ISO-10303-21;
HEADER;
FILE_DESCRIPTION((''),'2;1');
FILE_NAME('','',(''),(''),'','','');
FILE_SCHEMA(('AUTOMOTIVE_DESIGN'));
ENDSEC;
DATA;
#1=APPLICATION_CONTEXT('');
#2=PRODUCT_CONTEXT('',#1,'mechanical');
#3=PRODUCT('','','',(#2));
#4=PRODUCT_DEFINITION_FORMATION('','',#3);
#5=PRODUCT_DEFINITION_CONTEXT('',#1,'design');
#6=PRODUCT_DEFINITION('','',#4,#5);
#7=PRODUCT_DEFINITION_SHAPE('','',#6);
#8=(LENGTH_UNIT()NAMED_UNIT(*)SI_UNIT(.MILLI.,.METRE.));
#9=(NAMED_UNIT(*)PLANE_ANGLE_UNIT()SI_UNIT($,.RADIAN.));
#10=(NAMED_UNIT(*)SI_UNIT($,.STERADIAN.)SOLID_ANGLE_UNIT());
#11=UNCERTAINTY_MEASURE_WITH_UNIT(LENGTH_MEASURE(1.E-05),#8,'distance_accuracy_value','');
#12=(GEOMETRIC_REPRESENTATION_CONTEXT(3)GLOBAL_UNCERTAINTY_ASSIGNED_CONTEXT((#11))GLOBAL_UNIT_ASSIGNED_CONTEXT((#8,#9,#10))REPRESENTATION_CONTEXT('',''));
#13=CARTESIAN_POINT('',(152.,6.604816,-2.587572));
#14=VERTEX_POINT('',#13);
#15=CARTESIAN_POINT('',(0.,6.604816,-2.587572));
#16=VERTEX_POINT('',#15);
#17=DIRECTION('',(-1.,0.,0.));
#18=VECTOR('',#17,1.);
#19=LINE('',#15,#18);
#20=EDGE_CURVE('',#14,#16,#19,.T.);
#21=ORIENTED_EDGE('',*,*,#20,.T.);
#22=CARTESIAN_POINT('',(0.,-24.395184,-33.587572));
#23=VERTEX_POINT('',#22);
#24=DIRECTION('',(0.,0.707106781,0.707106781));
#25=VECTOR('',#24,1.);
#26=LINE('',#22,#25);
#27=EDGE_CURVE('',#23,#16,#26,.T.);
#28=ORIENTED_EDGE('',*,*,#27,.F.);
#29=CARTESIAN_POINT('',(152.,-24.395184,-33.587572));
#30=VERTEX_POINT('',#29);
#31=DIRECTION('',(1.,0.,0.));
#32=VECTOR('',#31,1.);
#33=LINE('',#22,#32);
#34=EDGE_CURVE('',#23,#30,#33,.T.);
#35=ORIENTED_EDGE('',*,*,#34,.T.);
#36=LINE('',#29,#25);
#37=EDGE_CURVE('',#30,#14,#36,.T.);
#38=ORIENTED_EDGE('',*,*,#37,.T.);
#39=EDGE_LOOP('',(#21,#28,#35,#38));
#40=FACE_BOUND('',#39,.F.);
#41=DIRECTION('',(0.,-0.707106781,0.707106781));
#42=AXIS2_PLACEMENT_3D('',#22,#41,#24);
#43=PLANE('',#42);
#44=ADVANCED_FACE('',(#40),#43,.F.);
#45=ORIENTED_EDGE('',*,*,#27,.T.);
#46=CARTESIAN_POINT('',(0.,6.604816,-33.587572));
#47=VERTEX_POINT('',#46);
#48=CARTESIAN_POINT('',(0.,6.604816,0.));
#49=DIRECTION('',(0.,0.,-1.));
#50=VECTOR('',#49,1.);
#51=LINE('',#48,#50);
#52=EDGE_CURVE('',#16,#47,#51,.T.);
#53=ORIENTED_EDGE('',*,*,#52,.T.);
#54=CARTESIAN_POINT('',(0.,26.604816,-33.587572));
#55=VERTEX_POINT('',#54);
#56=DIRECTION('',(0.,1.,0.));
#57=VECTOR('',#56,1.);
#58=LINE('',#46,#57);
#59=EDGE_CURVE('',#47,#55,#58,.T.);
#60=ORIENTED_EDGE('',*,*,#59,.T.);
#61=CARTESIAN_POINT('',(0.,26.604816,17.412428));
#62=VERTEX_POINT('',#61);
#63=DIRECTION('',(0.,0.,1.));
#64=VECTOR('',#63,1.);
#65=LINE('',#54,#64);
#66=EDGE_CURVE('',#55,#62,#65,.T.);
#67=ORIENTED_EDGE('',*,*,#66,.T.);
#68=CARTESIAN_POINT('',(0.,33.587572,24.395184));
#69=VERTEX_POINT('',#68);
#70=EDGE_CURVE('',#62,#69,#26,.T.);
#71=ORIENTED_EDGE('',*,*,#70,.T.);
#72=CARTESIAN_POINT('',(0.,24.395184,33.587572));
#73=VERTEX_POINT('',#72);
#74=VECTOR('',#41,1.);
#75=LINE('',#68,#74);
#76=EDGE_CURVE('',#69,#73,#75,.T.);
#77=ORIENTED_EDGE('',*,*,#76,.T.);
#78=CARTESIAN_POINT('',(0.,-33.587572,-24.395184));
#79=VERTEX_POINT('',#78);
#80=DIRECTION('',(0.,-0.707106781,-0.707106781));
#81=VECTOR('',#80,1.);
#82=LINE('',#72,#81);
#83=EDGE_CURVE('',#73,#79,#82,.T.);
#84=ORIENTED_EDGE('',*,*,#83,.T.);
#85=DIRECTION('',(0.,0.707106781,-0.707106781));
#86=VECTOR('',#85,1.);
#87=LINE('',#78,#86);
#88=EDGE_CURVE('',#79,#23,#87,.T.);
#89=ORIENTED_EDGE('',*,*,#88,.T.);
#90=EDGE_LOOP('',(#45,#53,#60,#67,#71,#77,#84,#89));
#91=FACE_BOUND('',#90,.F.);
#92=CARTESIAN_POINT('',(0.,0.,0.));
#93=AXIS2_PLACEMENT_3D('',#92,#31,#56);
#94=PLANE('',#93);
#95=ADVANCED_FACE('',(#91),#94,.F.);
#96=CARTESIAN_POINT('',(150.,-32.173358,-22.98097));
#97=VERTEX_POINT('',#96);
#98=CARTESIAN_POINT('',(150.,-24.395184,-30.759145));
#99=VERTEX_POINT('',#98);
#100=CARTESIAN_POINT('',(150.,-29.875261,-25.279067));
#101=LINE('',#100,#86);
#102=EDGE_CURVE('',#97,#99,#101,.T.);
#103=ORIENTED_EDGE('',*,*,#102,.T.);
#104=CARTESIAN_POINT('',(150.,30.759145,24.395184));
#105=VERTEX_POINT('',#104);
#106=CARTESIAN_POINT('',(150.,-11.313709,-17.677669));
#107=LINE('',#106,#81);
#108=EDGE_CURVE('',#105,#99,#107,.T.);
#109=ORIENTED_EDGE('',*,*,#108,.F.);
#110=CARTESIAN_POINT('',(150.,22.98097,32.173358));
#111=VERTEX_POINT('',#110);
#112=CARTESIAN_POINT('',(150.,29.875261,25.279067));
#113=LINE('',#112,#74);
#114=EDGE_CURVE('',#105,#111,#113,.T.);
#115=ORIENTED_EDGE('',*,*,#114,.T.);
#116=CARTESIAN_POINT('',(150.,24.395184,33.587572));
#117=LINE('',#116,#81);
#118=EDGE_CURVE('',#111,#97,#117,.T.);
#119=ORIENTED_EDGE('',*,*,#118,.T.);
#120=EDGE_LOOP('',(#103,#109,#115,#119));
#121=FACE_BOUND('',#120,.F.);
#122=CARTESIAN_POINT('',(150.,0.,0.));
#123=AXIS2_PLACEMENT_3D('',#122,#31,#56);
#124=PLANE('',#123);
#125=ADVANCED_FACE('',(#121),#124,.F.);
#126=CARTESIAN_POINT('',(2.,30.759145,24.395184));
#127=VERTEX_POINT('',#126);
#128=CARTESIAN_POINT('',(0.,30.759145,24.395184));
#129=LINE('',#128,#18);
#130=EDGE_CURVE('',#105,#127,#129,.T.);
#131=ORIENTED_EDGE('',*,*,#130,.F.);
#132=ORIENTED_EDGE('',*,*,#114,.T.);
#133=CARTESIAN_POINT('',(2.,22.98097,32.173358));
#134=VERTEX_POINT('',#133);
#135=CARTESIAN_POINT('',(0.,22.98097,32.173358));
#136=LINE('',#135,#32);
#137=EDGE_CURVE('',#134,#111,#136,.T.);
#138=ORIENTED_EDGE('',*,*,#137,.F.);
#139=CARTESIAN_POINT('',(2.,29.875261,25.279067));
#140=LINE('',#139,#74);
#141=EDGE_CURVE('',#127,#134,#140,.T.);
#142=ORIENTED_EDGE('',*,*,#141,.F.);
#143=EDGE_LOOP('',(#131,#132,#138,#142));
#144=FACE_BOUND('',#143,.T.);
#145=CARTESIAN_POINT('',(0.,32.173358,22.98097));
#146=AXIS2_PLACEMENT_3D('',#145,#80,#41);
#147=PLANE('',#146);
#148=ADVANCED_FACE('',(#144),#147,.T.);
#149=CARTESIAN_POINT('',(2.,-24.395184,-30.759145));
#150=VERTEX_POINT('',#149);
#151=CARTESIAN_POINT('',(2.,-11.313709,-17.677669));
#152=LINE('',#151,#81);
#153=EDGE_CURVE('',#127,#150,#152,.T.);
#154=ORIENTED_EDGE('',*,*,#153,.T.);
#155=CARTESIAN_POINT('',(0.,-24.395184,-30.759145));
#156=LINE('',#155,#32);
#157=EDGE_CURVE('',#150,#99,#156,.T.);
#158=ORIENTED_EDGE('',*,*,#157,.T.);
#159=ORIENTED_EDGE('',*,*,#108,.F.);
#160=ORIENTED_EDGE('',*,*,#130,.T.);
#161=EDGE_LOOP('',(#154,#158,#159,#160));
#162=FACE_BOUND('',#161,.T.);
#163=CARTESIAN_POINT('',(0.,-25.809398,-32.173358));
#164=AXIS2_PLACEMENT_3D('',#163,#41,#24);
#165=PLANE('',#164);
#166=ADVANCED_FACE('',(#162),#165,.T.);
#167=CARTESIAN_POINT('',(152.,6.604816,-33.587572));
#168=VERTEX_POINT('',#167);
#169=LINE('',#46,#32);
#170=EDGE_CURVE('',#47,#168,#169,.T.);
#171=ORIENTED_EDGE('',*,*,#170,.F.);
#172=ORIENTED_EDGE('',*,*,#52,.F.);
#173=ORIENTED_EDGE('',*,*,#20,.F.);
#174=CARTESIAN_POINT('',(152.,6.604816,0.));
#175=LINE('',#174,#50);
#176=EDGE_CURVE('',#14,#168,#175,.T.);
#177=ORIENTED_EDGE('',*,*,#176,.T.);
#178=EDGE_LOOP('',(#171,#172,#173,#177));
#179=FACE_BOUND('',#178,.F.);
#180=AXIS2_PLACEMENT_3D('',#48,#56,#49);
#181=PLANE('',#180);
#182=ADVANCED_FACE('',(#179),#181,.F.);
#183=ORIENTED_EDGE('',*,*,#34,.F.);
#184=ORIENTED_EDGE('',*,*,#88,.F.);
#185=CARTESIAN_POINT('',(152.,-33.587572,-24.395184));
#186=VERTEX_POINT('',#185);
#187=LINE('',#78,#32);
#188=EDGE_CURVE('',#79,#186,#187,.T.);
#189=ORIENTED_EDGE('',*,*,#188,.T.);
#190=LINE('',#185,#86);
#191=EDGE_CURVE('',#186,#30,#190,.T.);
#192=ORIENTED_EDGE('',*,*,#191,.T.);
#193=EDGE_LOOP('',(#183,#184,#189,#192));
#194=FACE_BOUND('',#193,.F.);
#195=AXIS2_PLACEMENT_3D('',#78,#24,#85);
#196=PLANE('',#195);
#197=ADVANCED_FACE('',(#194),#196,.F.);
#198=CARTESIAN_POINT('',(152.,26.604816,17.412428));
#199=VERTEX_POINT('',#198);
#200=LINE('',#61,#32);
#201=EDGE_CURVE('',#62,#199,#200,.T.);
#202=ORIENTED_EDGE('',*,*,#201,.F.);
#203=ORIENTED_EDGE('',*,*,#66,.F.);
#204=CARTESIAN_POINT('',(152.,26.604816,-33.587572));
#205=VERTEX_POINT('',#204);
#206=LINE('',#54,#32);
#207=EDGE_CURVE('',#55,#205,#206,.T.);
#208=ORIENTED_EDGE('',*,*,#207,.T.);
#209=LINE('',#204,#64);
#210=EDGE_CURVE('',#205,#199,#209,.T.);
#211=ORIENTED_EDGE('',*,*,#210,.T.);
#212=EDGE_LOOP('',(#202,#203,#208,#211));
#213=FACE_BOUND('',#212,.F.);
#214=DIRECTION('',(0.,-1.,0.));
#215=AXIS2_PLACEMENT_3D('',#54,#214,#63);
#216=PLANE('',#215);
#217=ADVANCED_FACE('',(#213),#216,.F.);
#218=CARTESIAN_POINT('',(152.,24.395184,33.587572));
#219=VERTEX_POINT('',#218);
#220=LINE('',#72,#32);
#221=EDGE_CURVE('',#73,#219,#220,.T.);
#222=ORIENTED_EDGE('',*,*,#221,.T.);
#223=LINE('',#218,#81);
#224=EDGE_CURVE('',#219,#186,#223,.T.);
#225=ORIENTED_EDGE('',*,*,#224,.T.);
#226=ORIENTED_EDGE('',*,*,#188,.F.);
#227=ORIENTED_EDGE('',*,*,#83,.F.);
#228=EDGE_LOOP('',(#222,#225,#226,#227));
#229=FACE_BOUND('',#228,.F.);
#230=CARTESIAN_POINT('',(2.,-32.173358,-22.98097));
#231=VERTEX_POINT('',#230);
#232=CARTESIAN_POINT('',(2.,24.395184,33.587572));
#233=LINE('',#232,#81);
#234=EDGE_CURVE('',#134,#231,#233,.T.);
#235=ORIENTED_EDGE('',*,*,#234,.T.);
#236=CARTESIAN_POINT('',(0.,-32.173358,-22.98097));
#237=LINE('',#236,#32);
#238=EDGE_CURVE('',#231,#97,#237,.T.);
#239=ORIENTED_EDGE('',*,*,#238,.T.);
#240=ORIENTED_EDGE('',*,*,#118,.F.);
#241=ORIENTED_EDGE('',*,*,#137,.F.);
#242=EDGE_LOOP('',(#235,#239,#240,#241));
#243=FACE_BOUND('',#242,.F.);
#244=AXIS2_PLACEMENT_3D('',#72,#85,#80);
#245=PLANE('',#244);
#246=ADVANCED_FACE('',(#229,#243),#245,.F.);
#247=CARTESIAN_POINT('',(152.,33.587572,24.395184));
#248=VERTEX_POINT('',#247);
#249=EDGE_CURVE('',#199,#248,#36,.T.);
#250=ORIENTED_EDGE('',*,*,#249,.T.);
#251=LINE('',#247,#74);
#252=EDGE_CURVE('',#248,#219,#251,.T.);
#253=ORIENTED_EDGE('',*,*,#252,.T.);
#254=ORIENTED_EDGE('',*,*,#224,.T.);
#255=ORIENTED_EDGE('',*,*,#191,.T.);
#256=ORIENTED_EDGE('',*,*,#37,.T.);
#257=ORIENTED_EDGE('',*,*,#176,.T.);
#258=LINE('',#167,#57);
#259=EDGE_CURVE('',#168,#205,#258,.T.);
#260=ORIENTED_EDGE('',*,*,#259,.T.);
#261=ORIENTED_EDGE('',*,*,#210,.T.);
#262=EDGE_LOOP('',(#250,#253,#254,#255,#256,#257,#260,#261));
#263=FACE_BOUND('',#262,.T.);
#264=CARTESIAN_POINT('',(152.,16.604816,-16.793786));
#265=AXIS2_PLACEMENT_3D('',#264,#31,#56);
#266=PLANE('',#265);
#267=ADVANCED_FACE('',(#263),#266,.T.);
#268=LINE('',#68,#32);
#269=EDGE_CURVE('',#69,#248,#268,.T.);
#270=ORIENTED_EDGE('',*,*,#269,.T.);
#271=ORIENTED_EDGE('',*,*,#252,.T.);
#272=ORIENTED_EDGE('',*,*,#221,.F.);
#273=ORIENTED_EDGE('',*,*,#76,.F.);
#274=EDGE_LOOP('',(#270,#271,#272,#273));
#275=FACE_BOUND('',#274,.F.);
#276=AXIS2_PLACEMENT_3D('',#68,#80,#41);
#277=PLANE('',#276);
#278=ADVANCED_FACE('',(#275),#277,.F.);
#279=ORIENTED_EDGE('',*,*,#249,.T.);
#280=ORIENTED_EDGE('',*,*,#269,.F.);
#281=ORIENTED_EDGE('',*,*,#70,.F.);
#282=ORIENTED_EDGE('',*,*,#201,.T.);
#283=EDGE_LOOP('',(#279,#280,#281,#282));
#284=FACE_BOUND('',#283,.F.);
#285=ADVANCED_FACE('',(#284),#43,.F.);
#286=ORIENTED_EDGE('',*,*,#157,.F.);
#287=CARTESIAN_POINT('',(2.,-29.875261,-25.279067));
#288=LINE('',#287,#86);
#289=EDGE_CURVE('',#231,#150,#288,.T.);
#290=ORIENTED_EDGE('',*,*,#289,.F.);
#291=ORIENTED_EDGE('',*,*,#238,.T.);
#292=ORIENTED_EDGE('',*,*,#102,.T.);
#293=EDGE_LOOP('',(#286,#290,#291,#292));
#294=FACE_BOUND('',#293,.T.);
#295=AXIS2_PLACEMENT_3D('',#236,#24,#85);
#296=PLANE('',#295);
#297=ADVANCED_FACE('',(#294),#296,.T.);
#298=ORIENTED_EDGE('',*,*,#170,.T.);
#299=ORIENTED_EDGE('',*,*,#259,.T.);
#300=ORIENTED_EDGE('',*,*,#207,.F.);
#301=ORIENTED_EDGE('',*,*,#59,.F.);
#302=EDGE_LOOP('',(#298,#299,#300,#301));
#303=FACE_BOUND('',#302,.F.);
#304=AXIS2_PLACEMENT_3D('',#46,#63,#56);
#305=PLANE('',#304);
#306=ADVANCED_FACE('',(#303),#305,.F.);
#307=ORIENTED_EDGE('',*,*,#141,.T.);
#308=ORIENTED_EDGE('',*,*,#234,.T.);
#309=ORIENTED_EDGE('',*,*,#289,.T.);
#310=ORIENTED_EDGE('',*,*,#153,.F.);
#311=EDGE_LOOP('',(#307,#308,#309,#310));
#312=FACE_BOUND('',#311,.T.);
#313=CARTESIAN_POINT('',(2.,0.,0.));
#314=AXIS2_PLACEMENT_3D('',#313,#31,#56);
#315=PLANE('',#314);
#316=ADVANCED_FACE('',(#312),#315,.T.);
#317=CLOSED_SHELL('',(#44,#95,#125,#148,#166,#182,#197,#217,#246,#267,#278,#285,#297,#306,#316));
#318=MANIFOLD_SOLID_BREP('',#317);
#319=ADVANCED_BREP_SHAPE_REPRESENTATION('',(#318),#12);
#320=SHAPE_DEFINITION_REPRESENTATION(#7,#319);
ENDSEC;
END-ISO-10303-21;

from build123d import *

# Parameters (mm, degrees)
F1_DEPTH = 152
F2_T     = -2
F4_DEPTH = 152


with BuildPart() as f1:
    # F0 (on Right) → F1 (new body)
    with BuildSketch(Plane.YZ):
        Polygon((24.395184, 33.587572), (-33.587572, -24.395184), (-24.395184, -33.587572), (33.587572, 24.395184), align=None)
    extrude(amount=F1_DEPTH)

    # F2
    f2_openings = [f1.faces().sort_by_distance(p)[0] for p in [
        (76, -4.596194, 4.596194),
    ]]
    offset(amount=F2_T, openings=f2_openings)

    # F3 (on Right) → F4 (join)
    with BuildSketch(Plane.YZ):
        Polygon((7.990418, 0), (6.604816, 0), (6.604816, -33.587572), (26.604816, -33.587572), (26.604816, 0), align=None)
        Polygon((26.604816, 18.73309), (7.990418, 0), (26.604816, 0), align=None)
    extrude(amount=F4_DEPTH)


solid = f1.part
